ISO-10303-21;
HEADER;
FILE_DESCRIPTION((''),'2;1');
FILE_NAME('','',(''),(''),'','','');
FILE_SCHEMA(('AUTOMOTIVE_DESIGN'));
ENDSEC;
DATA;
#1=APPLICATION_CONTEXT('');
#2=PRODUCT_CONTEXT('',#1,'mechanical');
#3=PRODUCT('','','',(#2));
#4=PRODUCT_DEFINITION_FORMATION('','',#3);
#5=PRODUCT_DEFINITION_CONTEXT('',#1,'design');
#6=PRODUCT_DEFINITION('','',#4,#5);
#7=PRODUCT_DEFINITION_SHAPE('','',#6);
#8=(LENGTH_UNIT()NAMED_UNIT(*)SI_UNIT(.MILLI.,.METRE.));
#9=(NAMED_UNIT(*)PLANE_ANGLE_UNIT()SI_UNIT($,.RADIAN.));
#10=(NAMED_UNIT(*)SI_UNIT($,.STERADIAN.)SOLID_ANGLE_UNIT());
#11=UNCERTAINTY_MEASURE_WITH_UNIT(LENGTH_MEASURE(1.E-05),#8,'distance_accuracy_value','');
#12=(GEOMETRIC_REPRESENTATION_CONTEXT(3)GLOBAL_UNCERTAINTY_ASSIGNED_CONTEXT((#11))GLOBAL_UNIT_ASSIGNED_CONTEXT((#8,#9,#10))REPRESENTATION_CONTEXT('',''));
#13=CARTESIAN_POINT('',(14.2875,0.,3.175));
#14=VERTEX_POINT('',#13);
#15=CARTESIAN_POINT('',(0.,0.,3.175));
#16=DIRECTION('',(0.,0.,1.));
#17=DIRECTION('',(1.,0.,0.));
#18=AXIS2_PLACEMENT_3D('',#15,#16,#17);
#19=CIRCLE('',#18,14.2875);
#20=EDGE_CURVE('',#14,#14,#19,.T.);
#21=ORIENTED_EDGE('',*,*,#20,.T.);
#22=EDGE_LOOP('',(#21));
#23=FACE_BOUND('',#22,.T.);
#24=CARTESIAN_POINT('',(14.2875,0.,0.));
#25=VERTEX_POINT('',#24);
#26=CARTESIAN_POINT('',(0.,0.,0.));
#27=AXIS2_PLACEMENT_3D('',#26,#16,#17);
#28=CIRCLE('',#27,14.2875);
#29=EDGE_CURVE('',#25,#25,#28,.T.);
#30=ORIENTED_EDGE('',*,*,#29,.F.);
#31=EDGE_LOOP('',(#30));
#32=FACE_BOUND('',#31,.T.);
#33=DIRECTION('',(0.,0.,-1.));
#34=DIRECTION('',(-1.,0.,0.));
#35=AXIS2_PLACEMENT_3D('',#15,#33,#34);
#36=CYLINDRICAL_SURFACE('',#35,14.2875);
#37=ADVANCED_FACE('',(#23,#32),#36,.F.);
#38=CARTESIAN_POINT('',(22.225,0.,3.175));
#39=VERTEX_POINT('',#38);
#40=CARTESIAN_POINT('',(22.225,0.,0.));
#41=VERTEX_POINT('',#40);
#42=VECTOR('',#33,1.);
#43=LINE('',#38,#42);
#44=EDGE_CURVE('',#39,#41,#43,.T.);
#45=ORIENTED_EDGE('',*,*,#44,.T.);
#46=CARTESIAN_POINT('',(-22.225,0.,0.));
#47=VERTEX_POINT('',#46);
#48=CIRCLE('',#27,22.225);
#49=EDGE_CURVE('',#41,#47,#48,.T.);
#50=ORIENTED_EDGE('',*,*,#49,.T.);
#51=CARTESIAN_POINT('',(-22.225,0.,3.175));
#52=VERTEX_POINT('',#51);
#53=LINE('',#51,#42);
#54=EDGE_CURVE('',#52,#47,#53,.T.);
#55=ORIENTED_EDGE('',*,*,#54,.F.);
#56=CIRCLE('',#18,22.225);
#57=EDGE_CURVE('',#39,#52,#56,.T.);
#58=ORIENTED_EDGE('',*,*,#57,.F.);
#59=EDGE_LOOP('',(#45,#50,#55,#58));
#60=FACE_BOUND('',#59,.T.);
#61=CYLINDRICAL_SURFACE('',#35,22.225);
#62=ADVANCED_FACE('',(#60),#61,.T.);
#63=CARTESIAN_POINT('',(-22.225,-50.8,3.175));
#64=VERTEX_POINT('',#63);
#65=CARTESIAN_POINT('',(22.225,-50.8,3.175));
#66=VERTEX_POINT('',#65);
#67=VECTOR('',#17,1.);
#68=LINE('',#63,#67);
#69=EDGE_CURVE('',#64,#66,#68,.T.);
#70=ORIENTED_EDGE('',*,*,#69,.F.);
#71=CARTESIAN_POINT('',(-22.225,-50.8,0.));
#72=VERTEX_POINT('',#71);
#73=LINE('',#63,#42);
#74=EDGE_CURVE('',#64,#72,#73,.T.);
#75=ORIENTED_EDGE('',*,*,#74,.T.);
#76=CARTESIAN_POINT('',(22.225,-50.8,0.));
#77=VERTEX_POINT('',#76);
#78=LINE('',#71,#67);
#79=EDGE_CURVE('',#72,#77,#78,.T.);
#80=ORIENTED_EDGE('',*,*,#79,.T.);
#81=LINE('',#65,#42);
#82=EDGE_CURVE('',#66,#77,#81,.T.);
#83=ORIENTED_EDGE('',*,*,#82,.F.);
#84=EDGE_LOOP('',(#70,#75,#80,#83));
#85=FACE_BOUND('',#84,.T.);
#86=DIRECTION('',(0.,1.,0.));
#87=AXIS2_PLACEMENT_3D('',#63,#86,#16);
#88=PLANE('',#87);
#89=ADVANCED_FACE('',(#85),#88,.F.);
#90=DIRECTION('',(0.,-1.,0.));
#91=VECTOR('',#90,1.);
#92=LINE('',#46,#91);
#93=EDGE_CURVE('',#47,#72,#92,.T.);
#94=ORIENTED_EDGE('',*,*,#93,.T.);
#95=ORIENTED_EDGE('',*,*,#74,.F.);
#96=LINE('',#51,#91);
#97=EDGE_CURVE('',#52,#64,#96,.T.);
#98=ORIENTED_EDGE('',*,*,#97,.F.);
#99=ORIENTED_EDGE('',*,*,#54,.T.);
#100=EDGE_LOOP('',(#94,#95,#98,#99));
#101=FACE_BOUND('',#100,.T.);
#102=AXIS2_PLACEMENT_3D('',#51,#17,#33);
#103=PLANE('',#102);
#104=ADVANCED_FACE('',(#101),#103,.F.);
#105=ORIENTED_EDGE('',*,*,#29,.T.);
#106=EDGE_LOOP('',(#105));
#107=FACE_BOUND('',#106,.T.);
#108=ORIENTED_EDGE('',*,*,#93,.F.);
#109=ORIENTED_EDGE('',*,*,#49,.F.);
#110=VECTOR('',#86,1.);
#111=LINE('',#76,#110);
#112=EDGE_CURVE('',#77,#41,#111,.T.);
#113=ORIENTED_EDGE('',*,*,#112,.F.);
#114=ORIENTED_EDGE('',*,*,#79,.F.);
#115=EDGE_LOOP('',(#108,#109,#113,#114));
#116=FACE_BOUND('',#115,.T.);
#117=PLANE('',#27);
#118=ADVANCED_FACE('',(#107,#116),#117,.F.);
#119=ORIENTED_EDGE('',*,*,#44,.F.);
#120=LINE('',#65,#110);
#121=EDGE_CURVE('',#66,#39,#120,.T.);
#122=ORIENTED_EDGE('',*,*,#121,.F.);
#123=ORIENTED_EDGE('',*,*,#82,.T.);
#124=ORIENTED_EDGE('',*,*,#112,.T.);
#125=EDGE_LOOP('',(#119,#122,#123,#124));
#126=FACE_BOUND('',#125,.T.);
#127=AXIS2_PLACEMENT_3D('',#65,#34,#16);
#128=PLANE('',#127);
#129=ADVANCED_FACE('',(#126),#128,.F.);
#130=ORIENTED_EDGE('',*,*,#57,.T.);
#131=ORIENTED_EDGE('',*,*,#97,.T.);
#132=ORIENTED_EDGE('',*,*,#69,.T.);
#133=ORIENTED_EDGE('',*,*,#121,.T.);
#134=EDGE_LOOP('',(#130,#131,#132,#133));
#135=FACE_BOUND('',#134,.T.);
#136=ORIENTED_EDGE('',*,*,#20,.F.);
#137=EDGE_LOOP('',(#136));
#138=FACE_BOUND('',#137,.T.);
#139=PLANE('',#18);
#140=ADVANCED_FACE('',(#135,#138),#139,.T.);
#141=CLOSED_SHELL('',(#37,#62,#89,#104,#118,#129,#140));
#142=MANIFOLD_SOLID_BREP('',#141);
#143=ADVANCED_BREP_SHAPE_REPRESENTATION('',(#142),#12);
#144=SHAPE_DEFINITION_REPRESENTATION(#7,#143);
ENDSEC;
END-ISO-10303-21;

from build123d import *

# Parameters (mm, degrees)
SKETCH1_R           = 14.2875
BOSS_EXTRUDE1_DEPTH = 3.175


with BuildPart() as part:
    # Sketch1 → Boss-Extrude1 (new body)
    with BuildSketch(Plane.XY):
        with BuildLine():
            Line((-22.225, 0), (-22.225, -50.8))
            Line((-22.225, -50.8), (22.225, -50.8))
            Line((22.225, -50.8), (22.225, 0))
            ThreePointArc((22.225, 0), (0, 22.225), (-22.225, 0))
        make_face()
        Circle(SKETCH1_R, mode=Mode.SUBTRACT)
    extrude(amount=BOSS_EXTRUDE1_DEPTH)


solid = part.part
